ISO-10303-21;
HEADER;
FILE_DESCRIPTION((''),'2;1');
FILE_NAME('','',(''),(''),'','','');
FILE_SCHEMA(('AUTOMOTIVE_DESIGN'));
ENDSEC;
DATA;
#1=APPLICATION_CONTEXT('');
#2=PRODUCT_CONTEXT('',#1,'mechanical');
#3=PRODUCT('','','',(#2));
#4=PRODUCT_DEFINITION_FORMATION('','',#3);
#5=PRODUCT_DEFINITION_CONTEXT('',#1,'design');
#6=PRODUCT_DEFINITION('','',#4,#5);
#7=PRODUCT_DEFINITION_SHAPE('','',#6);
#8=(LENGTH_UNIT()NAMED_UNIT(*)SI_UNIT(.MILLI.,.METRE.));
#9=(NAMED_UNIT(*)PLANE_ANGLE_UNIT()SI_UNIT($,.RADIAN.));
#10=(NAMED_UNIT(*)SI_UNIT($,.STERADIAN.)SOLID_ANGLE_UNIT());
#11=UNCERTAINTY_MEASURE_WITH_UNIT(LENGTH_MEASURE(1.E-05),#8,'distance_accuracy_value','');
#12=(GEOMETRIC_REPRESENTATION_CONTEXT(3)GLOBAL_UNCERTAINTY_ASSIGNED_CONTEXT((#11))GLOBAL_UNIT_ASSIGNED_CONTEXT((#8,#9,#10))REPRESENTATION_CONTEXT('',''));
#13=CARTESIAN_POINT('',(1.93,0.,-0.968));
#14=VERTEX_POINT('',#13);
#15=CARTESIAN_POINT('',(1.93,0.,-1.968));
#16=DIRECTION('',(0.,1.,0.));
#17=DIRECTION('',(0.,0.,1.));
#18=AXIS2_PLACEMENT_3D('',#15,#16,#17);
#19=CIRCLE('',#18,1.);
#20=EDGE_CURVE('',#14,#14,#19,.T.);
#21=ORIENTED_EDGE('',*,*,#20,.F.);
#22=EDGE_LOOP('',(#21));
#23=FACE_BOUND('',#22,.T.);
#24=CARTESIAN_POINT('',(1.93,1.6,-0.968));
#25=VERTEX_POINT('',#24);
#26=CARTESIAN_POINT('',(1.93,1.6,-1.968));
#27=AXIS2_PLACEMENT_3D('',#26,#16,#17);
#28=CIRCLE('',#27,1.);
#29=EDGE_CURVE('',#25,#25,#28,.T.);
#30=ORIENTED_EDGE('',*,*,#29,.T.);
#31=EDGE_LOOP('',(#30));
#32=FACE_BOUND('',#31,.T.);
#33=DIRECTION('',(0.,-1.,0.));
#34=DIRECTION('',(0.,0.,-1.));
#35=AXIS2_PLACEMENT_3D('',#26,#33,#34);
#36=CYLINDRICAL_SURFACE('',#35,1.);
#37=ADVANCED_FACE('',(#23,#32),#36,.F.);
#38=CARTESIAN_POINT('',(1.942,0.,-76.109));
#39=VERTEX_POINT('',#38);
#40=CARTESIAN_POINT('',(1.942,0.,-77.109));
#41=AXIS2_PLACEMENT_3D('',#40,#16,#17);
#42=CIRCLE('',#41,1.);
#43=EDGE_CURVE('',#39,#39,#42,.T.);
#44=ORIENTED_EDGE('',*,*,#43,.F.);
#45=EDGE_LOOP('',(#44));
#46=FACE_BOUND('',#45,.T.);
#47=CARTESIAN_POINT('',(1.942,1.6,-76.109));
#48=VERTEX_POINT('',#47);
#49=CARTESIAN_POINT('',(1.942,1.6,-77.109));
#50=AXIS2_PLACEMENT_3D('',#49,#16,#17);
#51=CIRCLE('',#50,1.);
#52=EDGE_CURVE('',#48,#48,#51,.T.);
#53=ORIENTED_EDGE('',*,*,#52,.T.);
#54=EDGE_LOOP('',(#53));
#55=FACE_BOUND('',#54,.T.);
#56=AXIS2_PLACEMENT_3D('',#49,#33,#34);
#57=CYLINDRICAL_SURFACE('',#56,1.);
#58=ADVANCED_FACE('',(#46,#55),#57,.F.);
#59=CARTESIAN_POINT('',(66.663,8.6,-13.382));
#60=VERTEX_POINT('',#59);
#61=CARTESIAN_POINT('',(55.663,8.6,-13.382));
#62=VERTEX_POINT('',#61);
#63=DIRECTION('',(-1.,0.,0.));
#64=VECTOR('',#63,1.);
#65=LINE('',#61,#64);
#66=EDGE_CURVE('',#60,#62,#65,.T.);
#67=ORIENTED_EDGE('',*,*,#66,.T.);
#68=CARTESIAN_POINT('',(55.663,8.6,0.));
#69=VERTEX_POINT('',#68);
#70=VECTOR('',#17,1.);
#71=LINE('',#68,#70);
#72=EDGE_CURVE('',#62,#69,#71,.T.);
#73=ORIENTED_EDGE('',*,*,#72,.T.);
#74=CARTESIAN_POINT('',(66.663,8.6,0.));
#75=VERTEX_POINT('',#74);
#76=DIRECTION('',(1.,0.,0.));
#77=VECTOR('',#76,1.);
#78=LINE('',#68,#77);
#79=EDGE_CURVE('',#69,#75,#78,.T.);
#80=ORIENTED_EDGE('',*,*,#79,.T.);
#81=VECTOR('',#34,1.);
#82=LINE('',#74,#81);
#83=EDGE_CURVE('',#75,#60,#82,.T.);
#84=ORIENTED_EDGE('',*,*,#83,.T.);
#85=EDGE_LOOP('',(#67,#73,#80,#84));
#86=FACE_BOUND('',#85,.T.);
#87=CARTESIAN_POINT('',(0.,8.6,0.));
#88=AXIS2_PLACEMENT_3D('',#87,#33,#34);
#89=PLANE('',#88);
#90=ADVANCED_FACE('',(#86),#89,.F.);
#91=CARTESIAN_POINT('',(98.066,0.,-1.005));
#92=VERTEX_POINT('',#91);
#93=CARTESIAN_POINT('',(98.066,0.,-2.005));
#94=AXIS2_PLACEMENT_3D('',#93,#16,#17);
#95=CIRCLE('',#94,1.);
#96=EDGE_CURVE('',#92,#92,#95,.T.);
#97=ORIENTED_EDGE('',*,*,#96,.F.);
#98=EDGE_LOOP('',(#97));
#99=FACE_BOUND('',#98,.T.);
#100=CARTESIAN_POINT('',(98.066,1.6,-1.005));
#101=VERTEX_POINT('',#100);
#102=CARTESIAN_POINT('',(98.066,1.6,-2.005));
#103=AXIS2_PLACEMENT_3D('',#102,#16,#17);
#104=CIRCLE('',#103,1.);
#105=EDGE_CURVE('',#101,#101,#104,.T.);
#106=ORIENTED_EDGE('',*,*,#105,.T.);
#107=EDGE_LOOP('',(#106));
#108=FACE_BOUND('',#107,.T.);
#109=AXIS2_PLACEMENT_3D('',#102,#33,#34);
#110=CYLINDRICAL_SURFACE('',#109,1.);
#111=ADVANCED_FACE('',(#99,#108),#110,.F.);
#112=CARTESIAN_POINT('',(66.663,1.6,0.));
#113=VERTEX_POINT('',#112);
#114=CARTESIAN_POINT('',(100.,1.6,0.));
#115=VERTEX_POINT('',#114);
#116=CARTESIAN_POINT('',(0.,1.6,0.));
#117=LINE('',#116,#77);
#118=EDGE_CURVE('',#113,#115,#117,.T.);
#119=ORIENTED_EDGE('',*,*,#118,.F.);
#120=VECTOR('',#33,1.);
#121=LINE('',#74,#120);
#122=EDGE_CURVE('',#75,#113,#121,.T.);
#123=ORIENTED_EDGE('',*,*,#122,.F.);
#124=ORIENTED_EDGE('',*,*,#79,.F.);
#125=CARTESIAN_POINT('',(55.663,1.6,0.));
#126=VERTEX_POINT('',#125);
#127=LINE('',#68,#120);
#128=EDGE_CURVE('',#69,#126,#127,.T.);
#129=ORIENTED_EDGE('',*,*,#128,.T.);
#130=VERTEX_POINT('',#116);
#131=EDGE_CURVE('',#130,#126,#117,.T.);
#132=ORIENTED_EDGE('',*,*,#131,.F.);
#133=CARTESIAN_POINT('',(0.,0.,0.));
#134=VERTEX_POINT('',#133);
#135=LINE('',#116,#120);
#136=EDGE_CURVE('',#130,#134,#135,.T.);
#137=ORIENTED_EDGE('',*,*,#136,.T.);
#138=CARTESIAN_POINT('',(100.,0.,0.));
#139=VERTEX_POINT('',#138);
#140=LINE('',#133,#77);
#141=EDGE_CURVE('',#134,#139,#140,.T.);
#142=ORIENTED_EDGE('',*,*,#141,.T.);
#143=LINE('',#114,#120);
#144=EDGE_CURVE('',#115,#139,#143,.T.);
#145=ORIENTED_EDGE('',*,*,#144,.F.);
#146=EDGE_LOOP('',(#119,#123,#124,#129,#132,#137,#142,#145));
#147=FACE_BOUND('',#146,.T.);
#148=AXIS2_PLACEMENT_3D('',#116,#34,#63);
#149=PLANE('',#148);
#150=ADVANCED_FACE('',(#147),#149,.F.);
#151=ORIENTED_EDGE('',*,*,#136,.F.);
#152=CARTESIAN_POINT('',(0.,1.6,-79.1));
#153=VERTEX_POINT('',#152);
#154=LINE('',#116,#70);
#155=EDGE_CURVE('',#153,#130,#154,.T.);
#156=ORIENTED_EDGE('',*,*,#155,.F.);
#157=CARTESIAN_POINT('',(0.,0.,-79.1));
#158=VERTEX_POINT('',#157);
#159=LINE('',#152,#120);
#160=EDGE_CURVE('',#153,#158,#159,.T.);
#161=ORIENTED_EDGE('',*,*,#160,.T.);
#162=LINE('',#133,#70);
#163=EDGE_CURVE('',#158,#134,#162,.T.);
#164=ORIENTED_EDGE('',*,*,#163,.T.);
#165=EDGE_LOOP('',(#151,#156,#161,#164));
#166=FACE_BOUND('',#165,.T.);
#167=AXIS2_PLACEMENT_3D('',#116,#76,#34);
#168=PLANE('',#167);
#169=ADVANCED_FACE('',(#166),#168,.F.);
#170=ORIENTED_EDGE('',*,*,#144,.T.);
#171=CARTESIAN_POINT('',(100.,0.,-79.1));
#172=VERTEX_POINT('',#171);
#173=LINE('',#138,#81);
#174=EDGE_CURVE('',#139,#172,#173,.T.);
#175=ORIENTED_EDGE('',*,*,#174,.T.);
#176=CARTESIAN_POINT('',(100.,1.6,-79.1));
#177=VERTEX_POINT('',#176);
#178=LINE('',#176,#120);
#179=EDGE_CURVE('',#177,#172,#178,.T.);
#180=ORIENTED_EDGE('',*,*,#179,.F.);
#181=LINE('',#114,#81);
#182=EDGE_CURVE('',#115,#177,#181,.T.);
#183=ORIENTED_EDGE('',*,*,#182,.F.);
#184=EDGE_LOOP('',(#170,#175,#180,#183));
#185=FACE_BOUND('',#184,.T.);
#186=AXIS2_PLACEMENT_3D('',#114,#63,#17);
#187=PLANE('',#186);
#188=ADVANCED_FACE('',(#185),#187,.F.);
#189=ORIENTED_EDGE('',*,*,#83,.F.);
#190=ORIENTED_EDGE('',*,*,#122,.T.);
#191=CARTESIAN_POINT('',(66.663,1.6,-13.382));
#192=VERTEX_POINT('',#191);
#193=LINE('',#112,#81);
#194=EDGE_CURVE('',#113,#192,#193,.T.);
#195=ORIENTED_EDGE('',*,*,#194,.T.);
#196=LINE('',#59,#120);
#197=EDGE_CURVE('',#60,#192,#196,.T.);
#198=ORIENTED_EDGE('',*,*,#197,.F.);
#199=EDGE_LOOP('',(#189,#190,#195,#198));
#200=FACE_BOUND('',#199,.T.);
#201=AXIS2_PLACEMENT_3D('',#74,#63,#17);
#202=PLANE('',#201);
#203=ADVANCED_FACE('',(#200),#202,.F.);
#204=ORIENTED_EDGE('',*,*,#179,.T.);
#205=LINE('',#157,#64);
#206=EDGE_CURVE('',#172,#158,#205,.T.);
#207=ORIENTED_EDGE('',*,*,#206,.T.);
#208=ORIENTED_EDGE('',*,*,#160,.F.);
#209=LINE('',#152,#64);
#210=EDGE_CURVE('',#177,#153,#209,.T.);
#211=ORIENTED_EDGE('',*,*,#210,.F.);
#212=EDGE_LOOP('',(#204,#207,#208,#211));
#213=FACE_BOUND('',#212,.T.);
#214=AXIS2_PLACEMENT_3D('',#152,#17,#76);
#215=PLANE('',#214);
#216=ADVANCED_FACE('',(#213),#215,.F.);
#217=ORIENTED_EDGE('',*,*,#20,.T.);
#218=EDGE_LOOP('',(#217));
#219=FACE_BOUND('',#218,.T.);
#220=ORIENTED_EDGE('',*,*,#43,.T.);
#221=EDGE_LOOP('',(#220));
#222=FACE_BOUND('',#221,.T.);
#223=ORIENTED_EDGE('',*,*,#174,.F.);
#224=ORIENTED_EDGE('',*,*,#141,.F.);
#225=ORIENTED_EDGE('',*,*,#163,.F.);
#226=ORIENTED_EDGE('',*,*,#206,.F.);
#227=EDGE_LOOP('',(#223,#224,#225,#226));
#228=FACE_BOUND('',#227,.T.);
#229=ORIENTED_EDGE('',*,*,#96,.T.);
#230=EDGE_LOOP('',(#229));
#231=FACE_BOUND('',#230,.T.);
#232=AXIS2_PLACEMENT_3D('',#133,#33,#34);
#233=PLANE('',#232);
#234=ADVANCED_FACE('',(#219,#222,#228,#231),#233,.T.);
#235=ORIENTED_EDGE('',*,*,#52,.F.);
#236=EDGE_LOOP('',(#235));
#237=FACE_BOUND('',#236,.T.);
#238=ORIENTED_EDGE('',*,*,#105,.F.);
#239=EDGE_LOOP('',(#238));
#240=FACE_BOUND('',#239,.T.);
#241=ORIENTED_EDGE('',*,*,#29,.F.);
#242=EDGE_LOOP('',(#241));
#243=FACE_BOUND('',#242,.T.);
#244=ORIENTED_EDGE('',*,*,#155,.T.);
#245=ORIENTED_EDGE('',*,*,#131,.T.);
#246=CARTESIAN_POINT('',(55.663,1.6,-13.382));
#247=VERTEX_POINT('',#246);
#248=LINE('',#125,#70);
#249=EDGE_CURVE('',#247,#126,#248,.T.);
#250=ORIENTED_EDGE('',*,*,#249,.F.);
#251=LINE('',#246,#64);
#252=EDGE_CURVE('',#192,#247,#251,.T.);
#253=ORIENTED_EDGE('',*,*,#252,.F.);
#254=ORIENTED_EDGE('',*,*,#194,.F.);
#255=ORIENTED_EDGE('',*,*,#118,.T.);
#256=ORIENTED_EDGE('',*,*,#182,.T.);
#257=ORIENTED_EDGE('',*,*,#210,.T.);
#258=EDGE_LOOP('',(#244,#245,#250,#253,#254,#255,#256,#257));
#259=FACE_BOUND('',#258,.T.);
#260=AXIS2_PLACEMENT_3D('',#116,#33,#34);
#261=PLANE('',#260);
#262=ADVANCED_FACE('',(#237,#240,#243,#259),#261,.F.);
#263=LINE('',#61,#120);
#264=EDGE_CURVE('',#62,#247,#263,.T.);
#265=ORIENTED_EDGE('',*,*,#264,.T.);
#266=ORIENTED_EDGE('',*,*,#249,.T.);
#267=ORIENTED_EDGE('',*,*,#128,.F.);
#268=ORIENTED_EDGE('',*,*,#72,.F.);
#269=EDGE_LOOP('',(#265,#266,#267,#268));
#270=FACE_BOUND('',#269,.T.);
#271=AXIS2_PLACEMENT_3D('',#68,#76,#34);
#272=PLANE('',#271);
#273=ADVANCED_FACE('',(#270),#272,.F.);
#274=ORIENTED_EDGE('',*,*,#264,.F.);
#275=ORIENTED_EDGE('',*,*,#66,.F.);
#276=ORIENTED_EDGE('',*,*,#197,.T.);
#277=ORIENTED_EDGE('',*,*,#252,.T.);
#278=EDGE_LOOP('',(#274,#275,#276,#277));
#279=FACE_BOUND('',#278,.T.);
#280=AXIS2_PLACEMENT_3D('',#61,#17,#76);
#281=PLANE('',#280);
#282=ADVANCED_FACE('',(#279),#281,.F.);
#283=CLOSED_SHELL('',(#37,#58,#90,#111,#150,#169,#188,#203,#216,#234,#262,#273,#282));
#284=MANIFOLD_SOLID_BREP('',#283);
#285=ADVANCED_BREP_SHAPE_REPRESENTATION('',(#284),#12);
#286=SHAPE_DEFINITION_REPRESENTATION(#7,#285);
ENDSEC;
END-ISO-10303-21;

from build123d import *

# Parameters (mm, degrees)
SKETCH_1_W      = 100
SKETCH_1_H      = 79.1
SKETCH_1_R      = 1
EXTRUDE_1_DEPTH = 1.6
SKETCH_2_W      = 11
SKETCH_2_H      = 13.382
EXTRUDE_2_DEPTH = 7


with BuildPart() as part:
    # 草图1 → 凸台-拉伸1 (new body)
    with BuildSketch(Plane(origin=(0, 0, 0), x_dir=(1, 0, 0), z_dir=(0, 1, 0))):
        with Locations((50, 39.55)):
            Rectangle(SKETCH_1_W, SKETCH_1_H)
        with Locations(Location((1.942, 77.109, 0), (0, 0, 270))):
            Circle(SKETCH_1_R, mode=Mode.SUBTRACT)
        with Locations(Location((1.93, 1.968, 0), (0, 0, 270))):
            Circle(SKETCH_1_R, mode=Mode.SUBTRACT)
        with Locations(Location((98.066, 2.005, 0), (0, 0, 270))):
            Circle(SKETCH_1_R, mode=Mode.SUBTRACT)
    extrude(amount=EXTRUDE_1_DEPTH)

    # 草图2 → 凸台-拉伸2 (add)
    with BuildSketch(Plane(origin=(0, 1.6, 0), x_dir=(1, 0, 0), z_dir=(0, 1, 0))):
        with Locations((61.163, 6.691)):
            Rectangle(SKETCH_2_W, SKETCH_2_H)
    extrude(amount=EXTRUDE_2_DEPTH)


solid = part.part
